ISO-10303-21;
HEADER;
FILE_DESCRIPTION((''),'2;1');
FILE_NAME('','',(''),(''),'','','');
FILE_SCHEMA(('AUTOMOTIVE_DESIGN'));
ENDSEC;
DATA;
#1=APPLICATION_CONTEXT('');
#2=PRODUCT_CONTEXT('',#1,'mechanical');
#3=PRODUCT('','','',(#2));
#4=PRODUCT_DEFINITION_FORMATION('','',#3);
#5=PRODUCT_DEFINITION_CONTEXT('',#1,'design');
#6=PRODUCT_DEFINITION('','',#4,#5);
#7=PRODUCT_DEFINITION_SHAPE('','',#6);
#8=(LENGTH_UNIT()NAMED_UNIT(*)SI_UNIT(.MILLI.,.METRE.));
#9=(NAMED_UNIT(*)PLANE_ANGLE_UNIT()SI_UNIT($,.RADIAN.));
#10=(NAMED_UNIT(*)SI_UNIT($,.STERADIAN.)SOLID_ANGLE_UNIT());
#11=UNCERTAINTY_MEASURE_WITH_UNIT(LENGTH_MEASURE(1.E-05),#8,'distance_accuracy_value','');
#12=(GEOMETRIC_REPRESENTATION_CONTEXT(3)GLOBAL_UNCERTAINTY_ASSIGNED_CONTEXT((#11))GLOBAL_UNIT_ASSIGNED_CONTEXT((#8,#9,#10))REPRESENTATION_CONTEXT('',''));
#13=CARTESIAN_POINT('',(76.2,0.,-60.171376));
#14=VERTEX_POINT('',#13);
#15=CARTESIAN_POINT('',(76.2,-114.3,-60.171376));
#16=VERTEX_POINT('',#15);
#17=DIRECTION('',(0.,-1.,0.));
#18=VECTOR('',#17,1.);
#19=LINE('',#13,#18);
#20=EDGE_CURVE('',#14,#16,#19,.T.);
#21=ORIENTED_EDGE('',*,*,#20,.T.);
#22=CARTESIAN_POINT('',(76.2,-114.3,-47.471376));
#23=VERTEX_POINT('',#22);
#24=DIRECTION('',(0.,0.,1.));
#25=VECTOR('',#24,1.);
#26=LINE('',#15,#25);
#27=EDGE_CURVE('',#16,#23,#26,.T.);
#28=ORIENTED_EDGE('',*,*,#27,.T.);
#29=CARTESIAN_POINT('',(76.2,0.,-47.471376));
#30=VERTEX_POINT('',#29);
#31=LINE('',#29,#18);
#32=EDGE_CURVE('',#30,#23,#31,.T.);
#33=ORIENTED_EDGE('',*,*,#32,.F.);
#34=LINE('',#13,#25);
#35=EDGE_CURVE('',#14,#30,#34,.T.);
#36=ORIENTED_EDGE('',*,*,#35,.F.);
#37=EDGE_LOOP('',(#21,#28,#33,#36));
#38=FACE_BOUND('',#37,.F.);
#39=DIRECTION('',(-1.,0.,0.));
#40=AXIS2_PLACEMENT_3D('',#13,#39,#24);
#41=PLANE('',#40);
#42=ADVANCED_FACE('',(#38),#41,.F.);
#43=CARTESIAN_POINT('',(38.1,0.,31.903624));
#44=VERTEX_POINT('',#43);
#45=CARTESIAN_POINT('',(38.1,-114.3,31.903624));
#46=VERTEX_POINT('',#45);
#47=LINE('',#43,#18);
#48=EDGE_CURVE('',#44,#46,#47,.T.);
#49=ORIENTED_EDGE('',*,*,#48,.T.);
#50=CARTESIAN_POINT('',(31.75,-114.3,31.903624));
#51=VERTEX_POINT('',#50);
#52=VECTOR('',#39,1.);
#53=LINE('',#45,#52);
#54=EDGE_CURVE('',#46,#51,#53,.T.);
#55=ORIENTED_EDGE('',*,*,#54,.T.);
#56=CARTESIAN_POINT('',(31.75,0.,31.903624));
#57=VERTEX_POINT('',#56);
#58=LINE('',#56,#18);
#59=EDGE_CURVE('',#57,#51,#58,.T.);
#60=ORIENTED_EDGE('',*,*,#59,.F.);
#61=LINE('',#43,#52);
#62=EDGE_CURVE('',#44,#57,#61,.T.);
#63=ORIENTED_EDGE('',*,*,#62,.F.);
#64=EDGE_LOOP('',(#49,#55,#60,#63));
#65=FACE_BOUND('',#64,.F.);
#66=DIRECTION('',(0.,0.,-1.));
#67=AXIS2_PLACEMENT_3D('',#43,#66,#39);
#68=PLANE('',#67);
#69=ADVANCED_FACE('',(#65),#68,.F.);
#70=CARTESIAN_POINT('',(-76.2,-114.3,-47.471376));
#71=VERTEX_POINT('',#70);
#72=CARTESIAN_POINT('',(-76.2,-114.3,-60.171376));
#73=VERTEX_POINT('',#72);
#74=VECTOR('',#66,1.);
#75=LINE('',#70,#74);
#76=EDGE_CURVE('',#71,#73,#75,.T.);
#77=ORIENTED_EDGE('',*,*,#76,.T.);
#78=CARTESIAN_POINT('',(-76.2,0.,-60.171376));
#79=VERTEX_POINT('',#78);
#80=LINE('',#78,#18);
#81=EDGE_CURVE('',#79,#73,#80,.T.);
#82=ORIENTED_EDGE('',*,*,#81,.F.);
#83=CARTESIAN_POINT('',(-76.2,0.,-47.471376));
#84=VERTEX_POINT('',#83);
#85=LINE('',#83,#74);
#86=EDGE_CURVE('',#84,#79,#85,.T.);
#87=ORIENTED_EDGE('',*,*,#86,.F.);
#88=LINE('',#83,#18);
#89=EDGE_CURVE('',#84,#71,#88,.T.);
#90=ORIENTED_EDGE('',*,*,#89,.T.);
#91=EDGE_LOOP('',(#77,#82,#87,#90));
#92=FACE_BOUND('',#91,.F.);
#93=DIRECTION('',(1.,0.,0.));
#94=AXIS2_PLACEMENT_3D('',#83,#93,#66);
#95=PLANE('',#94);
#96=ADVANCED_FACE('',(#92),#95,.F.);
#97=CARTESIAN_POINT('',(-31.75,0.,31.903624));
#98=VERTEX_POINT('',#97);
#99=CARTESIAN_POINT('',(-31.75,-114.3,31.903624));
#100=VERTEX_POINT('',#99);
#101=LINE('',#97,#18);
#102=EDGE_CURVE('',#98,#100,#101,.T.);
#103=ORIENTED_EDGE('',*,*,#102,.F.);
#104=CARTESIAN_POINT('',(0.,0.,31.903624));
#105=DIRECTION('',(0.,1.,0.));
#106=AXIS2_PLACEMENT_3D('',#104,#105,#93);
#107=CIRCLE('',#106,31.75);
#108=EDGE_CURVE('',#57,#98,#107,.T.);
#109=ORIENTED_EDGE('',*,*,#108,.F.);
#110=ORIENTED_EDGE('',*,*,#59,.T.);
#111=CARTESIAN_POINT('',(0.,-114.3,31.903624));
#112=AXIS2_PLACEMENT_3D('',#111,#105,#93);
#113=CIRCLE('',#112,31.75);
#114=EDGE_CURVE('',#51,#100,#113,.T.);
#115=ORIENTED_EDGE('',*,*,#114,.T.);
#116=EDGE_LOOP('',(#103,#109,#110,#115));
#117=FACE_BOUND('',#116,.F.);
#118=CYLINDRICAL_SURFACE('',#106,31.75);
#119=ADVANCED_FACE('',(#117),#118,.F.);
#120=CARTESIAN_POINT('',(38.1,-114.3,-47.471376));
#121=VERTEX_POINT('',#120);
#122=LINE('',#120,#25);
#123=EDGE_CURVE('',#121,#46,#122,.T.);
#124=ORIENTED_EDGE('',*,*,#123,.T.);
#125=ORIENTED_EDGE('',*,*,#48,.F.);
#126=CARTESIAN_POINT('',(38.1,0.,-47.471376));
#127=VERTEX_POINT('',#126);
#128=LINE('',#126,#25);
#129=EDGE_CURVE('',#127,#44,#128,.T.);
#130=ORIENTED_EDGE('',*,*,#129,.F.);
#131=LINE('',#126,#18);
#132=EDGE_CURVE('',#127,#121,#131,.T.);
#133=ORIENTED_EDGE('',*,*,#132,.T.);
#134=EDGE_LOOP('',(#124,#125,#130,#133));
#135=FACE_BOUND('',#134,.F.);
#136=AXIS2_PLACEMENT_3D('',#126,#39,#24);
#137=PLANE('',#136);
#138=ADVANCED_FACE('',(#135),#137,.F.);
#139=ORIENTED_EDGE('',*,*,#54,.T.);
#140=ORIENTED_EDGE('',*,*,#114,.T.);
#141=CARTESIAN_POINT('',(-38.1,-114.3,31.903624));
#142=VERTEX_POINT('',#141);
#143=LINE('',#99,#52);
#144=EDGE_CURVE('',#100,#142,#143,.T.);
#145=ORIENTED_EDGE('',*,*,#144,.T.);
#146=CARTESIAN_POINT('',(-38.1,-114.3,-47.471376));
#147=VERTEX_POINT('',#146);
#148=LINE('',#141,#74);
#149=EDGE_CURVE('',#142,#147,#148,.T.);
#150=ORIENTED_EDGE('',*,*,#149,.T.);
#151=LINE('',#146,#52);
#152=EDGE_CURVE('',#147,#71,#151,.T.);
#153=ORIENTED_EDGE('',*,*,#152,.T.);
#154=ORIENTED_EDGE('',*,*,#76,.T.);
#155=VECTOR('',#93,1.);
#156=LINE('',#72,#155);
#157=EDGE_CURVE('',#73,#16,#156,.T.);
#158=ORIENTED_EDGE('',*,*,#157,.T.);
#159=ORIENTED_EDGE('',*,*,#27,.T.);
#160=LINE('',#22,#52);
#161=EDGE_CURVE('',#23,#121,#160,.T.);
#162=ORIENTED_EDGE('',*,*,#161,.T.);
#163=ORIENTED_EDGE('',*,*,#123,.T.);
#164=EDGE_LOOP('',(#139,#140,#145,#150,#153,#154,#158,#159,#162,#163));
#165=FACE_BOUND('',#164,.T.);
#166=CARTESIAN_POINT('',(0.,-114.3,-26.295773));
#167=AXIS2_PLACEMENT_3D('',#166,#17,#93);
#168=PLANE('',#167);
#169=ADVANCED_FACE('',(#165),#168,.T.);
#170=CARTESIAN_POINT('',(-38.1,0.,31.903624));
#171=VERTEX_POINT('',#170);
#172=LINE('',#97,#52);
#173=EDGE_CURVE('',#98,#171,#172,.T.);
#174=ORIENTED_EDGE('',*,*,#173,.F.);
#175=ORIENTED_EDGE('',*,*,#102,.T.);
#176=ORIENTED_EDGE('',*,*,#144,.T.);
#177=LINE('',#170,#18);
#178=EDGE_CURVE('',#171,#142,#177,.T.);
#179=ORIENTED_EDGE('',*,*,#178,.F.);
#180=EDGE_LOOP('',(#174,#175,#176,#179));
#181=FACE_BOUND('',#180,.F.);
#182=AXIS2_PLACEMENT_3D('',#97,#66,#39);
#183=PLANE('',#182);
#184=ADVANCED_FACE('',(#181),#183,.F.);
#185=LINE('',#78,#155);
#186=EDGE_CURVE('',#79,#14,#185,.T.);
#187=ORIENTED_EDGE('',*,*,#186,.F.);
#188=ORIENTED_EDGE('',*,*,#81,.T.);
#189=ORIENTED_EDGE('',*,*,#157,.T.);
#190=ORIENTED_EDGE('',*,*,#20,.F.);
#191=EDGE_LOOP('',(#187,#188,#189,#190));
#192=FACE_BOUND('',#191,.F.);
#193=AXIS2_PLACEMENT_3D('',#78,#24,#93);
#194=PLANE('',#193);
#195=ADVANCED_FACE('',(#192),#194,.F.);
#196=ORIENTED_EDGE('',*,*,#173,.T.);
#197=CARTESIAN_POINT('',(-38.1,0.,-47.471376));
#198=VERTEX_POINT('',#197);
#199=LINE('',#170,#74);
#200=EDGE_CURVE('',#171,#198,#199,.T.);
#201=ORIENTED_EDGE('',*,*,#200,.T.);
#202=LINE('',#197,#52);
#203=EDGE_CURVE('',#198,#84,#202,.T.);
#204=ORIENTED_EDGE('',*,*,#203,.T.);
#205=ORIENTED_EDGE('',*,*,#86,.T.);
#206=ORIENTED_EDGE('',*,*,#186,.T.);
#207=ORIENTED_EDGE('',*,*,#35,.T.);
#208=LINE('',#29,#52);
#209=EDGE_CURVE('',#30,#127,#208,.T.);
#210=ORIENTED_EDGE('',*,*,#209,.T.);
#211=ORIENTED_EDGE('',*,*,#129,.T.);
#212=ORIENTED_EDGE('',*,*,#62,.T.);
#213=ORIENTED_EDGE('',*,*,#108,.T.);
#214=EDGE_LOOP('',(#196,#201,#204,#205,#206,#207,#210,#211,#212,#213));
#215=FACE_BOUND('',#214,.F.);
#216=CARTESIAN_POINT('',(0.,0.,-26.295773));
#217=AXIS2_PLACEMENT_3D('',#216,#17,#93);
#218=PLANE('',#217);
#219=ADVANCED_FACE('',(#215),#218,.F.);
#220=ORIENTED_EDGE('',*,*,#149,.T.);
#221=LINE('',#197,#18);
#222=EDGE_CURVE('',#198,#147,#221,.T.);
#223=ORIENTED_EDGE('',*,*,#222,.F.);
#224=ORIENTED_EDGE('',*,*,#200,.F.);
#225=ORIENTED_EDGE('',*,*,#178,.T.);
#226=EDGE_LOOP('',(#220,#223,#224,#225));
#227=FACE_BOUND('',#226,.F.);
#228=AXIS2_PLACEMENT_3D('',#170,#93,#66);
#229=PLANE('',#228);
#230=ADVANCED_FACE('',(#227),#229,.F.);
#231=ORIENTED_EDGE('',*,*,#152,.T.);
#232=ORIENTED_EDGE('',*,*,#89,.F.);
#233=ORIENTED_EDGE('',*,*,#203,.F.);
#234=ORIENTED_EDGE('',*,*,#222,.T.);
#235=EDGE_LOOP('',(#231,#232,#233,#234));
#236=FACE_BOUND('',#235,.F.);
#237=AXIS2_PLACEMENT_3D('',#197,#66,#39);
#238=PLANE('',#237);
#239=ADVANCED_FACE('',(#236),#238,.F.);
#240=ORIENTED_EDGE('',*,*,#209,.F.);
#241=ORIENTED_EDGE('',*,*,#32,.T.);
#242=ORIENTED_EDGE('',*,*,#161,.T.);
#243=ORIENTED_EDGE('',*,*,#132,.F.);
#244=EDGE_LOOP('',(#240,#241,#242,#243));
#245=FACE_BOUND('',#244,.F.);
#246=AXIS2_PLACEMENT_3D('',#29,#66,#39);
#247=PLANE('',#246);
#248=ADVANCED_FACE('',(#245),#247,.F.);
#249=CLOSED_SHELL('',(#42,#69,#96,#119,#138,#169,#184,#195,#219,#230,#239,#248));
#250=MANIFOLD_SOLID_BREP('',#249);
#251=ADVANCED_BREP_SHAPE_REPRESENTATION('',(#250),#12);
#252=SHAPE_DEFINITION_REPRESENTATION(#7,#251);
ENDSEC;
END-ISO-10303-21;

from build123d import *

# Parameters (mm, degrees)
F1_DEPTH = 114.3


with BuildPart() as f1:
    # F0 (on Front) → F1 (new body)
    with BuildSketch(Plane.XZ):
        with BuildLine():
            Line((38.1, -47.471376), (38.1, 31.903624))
            Line((38.1, 31.903624), (31.75, 31.903624))
            ThreePointArc((31.75, 31.903624), (0, 0.153624), (-31.75, 31.903624))
            Line((-31.75, 31.903624), (-38.1, 31.903624))
            Line((-38.1, 31.903624), (-38.1, -47.471376))
            Line((-38.1, -47.471376), (-76.2, -47.471376))
            Line((-76.2, -47.471376), (-76.2, -60.171376))
            Line((-76.2, -60.171376), (76.2, -60.171376))
            Line((76.2, -60.171376), (76.2, -47.471376))
            Line((76.2, -47.471376), (38.1, -47.471376))
        make_face()
    extrude(amount=F1_DEPTH)


solid = f1.part
